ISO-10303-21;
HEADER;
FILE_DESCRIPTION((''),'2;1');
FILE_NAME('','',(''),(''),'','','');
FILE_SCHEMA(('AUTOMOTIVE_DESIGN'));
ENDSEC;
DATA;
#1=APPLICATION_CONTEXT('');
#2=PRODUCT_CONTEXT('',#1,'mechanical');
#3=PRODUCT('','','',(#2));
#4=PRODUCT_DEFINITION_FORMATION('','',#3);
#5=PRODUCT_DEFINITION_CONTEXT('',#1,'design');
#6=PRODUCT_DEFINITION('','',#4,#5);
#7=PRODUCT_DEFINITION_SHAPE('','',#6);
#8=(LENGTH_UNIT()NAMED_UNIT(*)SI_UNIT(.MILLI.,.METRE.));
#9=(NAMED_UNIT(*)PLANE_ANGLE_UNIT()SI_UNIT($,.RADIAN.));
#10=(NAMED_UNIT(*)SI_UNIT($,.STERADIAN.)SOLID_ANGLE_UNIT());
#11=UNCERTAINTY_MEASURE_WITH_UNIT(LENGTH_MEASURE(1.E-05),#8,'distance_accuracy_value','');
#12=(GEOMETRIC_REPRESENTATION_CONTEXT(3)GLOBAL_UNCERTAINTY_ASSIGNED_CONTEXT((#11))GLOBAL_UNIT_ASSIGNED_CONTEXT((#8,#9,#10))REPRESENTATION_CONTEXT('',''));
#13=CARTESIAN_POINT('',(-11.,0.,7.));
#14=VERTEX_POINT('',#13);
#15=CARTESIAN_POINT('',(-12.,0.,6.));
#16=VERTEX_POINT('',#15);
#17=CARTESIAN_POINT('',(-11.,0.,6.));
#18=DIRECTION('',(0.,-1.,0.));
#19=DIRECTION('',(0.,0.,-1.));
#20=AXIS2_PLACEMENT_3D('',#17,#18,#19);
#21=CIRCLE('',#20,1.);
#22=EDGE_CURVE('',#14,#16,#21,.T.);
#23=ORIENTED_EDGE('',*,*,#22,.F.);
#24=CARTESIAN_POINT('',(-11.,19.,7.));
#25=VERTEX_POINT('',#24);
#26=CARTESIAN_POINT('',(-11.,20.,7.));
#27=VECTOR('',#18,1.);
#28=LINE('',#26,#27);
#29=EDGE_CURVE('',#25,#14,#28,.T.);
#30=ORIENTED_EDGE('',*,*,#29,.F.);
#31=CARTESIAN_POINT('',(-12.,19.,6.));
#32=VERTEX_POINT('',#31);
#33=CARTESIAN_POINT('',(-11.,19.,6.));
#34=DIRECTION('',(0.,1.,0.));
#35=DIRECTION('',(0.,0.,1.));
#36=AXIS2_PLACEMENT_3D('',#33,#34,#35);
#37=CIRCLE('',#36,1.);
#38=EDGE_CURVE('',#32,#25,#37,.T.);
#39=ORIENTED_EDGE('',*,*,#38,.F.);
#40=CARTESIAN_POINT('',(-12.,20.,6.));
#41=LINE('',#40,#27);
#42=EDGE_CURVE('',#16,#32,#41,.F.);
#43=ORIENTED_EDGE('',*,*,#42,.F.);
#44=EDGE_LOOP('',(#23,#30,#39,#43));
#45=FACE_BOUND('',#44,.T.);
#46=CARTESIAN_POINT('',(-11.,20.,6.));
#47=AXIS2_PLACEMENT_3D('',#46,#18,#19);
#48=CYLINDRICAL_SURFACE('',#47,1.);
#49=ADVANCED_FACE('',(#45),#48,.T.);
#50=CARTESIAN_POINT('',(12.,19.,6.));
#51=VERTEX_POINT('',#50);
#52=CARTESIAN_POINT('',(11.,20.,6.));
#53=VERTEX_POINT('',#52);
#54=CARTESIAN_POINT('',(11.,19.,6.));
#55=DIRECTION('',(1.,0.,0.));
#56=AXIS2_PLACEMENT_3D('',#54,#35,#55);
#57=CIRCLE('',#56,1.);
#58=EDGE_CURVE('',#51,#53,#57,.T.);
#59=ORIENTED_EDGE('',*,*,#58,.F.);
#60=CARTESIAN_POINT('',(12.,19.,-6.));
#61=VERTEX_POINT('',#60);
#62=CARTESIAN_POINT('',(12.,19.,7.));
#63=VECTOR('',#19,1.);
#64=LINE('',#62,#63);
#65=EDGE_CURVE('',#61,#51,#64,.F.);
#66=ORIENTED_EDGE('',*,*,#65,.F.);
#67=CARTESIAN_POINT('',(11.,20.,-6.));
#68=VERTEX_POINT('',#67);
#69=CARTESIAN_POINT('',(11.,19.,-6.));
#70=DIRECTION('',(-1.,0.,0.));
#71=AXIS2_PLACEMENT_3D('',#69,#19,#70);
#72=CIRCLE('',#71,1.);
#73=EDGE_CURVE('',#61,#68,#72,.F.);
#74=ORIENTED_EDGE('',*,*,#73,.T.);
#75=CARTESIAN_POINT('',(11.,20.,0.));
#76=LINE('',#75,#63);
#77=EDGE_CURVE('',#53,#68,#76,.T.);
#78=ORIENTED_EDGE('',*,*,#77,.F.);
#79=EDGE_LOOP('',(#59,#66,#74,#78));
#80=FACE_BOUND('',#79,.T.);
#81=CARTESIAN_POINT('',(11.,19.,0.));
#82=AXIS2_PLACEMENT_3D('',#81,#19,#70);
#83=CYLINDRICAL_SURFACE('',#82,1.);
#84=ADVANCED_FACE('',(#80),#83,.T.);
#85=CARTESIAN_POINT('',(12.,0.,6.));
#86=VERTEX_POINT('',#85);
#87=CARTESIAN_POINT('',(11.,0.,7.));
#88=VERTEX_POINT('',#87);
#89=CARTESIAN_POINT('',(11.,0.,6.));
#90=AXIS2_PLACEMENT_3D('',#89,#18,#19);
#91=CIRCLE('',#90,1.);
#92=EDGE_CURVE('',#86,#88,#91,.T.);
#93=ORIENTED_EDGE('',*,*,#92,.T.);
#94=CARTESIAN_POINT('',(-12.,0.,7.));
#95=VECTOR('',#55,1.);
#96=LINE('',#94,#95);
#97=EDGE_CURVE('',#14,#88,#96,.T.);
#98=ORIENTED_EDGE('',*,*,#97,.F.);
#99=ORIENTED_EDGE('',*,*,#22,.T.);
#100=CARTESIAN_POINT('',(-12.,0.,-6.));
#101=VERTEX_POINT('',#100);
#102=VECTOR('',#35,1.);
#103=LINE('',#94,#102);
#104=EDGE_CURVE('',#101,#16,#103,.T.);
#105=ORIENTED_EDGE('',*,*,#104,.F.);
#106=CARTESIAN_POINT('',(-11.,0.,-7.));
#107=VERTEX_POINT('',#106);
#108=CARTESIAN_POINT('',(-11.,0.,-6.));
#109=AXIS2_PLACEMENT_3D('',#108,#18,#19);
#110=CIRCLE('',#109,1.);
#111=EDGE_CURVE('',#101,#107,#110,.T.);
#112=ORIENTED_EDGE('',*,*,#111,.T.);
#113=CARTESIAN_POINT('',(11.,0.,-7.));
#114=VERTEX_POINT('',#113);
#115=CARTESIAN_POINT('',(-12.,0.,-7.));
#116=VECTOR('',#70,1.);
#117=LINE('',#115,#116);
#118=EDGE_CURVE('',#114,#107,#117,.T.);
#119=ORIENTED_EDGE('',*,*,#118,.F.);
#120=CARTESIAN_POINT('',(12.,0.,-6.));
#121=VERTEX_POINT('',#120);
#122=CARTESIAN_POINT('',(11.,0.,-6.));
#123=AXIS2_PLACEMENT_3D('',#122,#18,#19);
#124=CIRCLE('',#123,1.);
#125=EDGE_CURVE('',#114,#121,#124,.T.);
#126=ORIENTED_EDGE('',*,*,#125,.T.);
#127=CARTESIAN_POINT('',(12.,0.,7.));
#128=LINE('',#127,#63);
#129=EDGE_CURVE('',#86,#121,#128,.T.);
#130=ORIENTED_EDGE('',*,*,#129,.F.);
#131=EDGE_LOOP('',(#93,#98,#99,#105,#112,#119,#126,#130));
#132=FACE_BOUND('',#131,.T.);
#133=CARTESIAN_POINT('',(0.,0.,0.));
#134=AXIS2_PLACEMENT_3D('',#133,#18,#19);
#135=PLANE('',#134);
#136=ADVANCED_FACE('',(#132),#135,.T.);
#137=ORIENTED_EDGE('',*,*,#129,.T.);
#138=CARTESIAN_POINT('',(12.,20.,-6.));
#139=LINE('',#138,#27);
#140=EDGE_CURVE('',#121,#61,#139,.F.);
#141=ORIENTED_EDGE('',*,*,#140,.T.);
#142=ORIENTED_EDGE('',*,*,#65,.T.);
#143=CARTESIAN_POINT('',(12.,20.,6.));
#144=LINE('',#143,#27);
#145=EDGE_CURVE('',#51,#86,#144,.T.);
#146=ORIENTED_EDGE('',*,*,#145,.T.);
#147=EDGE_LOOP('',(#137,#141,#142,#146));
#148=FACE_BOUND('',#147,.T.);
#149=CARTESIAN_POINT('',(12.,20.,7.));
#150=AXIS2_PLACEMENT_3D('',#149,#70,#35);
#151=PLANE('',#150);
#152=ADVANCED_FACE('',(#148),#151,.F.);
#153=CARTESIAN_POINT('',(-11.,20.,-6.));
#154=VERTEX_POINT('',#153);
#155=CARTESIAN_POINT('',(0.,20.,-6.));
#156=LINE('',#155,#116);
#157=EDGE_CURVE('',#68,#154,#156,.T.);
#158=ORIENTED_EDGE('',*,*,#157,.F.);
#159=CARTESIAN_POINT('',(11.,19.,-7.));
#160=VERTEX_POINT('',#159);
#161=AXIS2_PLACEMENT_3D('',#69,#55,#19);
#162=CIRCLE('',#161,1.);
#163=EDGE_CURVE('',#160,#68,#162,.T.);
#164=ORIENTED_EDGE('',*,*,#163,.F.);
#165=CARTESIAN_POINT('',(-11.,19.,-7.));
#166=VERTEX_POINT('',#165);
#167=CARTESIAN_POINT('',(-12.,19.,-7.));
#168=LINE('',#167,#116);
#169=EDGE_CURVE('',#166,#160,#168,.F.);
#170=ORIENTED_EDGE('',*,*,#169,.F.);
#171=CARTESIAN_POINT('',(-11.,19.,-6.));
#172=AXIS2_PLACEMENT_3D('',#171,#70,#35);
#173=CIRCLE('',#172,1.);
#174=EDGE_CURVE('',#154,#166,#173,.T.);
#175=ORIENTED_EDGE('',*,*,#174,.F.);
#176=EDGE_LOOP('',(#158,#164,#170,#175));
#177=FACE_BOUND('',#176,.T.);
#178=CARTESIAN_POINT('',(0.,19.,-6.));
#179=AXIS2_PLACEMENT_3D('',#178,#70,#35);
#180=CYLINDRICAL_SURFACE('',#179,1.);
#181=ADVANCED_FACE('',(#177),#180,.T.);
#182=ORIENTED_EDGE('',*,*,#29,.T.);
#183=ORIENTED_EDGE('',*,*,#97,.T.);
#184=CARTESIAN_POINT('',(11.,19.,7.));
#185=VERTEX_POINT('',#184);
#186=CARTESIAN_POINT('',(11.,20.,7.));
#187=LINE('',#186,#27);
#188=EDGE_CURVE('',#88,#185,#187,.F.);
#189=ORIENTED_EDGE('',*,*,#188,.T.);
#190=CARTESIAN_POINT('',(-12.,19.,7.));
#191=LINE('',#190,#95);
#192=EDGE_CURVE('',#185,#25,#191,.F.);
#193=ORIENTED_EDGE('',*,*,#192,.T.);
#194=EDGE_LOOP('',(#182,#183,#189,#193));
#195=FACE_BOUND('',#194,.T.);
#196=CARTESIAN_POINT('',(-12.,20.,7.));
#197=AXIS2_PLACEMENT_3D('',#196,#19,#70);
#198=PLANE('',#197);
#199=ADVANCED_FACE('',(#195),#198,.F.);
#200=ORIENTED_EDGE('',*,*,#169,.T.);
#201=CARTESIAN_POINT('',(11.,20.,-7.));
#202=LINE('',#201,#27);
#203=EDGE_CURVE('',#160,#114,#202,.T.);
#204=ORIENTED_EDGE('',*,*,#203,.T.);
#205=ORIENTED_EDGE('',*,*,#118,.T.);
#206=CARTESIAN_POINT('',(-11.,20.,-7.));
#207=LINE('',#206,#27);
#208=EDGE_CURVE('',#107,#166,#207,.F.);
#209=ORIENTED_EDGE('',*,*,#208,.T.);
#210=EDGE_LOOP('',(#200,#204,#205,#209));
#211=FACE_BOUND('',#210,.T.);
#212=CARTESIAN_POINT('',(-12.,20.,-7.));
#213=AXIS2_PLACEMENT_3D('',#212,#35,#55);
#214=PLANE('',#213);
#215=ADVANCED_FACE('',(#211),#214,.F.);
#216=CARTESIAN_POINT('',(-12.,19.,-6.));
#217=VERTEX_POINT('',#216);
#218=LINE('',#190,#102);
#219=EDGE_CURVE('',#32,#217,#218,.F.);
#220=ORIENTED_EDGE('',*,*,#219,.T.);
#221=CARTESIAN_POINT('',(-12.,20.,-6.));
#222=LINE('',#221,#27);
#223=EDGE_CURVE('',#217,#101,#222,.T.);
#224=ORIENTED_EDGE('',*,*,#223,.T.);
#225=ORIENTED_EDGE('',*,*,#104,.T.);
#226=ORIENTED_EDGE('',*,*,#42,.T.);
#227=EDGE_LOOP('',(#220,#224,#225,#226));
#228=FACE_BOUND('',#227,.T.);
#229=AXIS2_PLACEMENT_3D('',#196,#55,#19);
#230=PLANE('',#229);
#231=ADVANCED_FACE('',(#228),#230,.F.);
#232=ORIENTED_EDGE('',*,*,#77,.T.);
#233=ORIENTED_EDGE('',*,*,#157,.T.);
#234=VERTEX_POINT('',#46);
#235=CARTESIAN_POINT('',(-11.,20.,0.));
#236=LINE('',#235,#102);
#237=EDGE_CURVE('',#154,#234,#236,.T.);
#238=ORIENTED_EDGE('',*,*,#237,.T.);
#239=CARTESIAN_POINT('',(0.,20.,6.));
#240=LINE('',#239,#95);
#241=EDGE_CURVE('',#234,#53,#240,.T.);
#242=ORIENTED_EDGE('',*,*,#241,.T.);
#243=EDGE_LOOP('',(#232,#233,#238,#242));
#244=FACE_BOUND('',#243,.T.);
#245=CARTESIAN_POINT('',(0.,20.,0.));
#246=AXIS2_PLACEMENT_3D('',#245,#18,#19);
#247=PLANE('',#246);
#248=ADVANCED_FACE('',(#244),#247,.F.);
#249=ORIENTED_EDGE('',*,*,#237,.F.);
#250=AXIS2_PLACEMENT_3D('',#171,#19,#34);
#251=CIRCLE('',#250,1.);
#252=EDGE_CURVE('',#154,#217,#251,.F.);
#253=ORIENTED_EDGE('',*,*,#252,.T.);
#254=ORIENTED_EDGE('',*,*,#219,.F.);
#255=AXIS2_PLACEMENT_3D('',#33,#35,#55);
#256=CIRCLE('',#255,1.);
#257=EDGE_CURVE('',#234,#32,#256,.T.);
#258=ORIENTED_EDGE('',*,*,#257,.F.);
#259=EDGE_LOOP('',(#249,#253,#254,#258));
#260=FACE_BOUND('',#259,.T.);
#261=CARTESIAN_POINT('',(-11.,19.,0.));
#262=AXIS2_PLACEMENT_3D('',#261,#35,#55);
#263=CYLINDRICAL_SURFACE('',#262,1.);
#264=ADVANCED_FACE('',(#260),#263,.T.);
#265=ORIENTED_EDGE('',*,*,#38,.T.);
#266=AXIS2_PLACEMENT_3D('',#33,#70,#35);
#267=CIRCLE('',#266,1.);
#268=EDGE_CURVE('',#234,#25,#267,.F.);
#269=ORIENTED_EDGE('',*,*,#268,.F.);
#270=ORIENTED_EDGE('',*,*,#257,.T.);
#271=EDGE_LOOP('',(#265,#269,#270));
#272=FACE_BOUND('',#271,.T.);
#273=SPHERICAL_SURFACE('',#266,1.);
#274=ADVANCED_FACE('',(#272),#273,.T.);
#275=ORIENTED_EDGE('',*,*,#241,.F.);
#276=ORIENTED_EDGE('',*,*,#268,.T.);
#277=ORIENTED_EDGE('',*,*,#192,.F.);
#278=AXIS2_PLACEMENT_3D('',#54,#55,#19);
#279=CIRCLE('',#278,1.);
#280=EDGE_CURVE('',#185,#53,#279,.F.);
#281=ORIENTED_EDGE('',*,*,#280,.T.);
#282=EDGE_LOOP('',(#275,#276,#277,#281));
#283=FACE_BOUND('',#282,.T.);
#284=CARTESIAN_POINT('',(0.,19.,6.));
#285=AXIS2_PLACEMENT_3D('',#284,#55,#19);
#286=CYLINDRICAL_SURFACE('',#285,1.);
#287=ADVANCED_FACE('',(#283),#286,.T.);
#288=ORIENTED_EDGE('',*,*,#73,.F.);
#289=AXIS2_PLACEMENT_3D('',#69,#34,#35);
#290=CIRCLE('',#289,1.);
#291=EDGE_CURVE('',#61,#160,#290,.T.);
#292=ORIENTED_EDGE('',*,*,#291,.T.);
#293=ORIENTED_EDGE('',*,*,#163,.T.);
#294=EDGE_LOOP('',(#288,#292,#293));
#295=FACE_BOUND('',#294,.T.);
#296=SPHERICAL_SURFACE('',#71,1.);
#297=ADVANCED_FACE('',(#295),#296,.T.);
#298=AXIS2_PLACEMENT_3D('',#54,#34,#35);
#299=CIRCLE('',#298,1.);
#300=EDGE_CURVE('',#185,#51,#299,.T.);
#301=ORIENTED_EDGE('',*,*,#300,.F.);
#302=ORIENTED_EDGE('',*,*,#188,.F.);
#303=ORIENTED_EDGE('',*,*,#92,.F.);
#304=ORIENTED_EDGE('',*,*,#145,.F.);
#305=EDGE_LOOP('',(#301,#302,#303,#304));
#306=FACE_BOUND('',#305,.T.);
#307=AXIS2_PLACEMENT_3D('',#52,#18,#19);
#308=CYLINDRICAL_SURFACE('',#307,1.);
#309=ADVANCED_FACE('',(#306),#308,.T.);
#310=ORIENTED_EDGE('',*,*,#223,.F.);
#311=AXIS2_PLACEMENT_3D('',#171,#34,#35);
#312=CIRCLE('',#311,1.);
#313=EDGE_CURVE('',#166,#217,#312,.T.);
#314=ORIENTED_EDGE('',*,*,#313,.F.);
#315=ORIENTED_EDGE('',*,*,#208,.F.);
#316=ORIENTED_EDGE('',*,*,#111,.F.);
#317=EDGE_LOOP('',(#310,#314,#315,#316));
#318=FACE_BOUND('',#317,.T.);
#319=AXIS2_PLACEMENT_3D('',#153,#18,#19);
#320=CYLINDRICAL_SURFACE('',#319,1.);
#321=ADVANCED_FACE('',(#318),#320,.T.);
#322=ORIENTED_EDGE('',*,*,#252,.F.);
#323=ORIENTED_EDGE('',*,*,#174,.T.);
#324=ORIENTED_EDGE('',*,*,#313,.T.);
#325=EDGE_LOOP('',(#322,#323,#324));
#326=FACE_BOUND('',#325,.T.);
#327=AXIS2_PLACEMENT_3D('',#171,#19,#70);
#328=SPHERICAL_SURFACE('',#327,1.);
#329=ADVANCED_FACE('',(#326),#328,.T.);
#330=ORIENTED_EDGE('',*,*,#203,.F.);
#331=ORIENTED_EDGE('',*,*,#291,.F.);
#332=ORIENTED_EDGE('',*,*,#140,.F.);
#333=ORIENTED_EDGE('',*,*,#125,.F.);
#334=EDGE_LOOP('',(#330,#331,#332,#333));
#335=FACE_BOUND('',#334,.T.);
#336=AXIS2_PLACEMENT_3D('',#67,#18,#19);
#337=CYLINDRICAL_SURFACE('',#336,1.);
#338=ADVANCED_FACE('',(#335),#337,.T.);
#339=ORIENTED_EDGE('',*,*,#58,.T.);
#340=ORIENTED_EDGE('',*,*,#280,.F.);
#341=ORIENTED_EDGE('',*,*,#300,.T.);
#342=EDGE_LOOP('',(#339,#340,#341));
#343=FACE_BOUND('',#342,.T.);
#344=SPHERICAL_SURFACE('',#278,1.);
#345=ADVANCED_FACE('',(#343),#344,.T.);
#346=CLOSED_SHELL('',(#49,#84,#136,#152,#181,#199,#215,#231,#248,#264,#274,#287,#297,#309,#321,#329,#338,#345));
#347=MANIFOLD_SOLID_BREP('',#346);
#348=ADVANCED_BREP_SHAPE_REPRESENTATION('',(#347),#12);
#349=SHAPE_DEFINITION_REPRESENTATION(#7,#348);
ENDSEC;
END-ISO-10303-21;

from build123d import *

# Parameters (mm, degrees)
SKETCH1_W           = 24
SKETCH1_H           = 14
BOSS_EXTRUDE1_DEPTH = 20
FILLET1_R           = 1


with BuildPart() as part:
    # Sketch1 → Boss-Extrude1 (new body)
    with BuildSketch(Plane(origin=(0, 0, 0), x_dir=(1, 0, 0), z_dir=(0, 1, 0))):
        Rectangle(SKETCH1_W, SKETCH1_H)
    extrude(amount=BOSS_EXTRUDE1_DEPTH)

    # Fillet1
    fillet1_edges = [part.edges().sort_by_distance(p)[0] for p in [
        (-12, 20, 0),
        (0, 20, 7),
        (12, 20, 0),
        (12, 10, 7),
        (-12, 10, 7),
        (-12, 10, -7),
        (12, 10, -7),
        (0, 20, -7),
    ]]
    fillet(fillet1_edges, radius=FILLET1_R)


solid = part.part
